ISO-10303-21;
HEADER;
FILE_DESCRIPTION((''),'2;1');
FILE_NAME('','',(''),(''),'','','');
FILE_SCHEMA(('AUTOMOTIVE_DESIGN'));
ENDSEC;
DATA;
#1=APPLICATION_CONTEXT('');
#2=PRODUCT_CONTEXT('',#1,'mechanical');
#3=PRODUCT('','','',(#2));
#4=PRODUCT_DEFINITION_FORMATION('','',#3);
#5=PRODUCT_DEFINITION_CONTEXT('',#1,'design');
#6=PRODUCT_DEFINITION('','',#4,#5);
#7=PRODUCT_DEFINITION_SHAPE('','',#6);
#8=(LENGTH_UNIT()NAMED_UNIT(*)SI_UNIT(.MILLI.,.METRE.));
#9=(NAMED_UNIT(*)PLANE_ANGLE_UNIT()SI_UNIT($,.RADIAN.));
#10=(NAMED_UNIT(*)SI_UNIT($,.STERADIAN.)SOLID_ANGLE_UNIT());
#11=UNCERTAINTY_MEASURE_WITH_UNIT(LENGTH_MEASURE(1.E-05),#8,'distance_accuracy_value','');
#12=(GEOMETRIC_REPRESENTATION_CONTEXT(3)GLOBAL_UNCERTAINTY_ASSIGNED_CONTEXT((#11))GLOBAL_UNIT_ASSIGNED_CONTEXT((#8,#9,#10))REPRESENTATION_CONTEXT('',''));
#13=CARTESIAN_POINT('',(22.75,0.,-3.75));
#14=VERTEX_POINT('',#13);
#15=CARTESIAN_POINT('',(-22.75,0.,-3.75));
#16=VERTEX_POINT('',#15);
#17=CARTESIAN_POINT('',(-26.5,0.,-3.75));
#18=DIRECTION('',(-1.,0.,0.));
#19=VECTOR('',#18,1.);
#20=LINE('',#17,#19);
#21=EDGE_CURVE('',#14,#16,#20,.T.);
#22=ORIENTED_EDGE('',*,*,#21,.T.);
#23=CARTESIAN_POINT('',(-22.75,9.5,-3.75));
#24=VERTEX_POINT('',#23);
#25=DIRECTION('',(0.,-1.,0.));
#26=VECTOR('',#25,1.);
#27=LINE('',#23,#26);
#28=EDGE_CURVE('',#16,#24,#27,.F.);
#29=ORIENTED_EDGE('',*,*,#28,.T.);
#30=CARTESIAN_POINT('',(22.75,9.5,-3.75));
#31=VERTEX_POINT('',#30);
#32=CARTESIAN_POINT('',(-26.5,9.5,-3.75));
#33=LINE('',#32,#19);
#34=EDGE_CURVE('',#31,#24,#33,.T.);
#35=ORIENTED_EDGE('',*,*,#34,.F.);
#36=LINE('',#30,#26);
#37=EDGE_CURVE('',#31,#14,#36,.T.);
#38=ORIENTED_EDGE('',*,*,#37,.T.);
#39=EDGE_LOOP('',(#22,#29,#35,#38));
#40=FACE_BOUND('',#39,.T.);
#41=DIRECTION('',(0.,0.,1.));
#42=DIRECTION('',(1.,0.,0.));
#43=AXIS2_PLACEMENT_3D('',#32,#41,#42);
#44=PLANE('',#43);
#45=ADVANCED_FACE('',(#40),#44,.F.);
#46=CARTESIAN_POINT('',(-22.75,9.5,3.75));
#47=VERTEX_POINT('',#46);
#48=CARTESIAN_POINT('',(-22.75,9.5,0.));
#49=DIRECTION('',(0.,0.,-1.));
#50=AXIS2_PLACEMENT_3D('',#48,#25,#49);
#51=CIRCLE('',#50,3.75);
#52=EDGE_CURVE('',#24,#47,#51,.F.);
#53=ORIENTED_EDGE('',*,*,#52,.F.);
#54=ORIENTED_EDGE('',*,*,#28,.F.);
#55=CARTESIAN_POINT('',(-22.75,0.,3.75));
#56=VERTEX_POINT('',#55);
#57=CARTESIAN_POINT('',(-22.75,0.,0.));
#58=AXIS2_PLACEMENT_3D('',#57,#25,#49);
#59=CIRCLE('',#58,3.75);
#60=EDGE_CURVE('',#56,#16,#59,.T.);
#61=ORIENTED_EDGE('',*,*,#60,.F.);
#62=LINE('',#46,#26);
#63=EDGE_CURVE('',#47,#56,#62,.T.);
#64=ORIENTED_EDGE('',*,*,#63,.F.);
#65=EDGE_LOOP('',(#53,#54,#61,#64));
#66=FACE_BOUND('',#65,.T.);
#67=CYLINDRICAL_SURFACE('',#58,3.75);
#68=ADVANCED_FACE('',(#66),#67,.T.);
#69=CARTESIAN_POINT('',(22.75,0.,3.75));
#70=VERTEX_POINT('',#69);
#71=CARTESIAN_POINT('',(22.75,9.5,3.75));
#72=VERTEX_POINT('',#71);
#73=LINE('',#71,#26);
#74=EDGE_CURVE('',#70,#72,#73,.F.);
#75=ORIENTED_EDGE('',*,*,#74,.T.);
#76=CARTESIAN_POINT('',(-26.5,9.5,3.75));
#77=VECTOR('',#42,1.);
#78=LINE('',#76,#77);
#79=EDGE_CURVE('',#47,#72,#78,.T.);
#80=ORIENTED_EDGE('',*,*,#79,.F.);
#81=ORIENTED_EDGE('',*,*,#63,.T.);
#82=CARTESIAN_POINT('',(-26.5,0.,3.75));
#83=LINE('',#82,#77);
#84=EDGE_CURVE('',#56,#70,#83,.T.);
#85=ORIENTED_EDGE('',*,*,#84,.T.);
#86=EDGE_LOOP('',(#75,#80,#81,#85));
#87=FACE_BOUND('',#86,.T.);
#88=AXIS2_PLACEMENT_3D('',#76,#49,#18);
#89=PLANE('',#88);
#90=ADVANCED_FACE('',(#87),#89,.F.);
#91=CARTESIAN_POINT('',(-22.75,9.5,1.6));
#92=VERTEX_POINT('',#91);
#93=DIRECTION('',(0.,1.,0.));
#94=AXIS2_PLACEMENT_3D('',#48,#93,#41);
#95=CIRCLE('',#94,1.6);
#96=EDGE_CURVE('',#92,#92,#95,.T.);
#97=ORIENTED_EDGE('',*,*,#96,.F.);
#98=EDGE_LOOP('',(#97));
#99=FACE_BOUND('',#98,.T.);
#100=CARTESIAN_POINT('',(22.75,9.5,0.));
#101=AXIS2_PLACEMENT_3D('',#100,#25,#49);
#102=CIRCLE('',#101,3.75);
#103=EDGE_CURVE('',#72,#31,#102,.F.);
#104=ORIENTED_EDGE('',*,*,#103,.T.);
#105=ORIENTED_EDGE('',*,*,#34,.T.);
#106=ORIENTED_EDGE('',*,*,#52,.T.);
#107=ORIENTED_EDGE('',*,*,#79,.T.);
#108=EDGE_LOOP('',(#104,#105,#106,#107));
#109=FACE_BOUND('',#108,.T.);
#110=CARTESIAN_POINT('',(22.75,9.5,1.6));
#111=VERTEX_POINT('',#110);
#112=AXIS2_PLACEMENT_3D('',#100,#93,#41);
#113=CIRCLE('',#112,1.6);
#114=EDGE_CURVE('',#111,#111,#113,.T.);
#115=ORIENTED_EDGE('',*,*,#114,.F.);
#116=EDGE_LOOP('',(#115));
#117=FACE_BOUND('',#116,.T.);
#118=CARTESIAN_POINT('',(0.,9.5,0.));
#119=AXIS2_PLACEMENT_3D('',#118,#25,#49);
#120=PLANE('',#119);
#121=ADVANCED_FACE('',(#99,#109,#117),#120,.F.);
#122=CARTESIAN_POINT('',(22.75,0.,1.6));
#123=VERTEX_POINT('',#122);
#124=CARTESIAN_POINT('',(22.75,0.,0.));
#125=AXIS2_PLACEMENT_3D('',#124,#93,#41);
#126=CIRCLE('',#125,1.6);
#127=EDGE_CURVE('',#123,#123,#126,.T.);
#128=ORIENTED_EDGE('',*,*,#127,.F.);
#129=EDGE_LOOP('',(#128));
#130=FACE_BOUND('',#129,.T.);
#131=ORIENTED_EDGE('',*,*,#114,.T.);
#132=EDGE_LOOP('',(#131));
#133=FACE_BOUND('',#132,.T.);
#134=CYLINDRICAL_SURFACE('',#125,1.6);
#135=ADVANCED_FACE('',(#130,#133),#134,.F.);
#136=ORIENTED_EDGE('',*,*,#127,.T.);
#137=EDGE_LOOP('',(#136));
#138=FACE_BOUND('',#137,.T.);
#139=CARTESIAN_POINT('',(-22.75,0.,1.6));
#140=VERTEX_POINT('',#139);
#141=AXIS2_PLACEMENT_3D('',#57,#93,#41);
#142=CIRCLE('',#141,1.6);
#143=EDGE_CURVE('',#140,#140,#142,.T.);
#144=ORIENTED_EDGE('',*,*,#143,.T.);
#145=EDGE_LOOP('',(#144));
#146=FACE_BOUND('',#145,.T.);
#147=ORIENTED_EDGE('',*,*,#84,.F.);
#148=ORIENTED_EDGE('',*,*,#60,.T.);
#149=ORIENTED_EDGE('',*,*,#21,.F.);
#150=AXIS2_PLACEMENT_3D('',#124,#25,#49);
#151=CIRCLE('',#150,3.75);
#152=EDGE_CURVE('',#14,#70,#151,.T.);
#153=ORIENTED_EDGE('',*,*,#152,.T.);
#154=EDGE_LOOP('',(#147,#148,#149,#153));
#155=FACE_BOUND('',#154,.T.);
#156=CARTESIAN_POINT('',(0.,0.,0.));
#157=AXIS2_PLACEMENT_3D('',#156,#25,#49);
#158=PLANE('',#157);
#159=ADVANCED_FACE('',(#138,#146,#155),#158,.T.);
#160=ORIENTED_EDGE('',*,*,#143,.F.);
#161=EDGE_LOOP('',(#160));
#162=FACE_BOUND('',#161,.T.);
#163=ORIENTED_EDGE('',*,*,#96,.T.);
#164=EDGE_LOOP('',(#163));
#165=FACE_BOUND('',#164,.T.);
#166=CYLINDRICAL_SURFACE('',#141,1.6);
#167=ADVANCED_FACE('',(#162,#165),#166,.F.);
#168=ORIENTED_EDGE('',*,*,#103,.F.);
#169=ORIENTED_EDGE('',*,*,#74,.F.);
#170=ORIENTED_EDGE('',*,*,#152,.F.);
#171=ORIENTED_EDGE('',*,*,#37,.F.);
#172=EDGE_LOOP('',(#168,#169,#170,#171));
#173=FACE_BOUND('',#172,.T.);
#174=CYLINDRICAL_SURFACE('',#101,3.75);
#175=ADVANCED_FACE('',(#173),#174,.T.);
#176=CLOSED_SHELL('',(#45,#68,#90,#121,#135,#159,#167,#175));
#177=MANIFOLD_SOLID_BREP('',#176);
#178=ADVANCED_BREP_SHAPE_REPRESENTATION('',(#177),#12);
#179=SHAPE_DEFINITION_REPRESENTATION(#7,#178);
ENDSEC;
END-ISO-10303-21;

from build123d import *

# Parameters (mm, degrees)
CROQUIS1_W              = 53
CROQUIS1_H              = 7.5
SALIENTE_EXTRUIR1_DEPTH = 9.5
REDONDEO1_RADIUS        = 3.75
REDONDEO1_LENGTH        = 9.5
REDONDEO3_RADIUS        = 3.75
REDONDEO3_LENGTH        = 9.5
CROQUIS2_R              = 1.6
CORTAR_EXTRUIR1_DEPTH   = 29.400044014


with BuildPart() as part:
    # Croquis1 → Saliente-Extruir1 (new body)
    with BuildSketch(Plane(origin=(0, 0, 0), x_dir=(1, 0, 0), z_dir=(0, 1, 0))):
        Rectangle(CROQUIS1_W, CROQUIS1_H)
    extrude(amount=SALIENTE_EXTRUIR1_DEPTH)

    # Redondeo1: full round fillet: the end face becomes a half cylinder, R = half its width
    redondeo1_face = Plane((26.5, 4.75, 0), x_dir=(0, -1, 0), z_dir=(1, 0, 0))  # on the end face: x along it, z out of the body
    redondeo1_slab = redondeo1_face.offset(-REDONDEO1_RADIUS / 2) * Box(REDONDEO1_LENGTH, 2 * REDONDEO1_RADIUS, REDONDEO1_RADIUS, mode=Mode.PRIVATE)  # the body's end, R deep
    redondeo1_round = Plane((22.75, 4.75, 0), x_dir=(1, 0, 0), z_dir=(0, -1, 0)) * Cylinder(REDONDEO1_RADIUS, REDONDEO1_LENGTH, mode=Mode.PRIVATE)  # its axis R under the face
    add(redondeo1_slab - redondeo1_round, mode=Mode.SUBTRACT)

    # Redondeo3: full round fillet: the end face becomes a half cylinder, R = half its width
    redondeo3_face = Plane((-26.5, 4.75, 0), x_dir=(0, 1, 0), z_dir=(-1, 0, 0))  # on the end face: x along it, z out of the body
    redondeo3_slab = redondeo3_face.offset(-REDONDEO3_RADIUS / 2) * Box(REDONDEO3_LENGTH, 2 * REDONDEO3_RADIUS, REDONDEO3_RADIUS, mode=Mode.PRIVATE)  # the body's end, R deep
    redondeo3_round = Plane((-22.75, 4.75, 0), x_dir=(-1, 0, 0), z_dir=(0, 1, 0)) * Cylinder(REDONDEO3_RADIUS, REDONDEO3_LENGTH, mode=Mode.PRIVATE)  # its axis R under the face
    add(redondeo3_slab - redondeo3_round, mode=Mode.SUBTRACT)

    # Croquis2 → Cortar-Extruir1 (cut, through all)
    with BuildSketch(Plane(origin=(0, 9.5, 0), x_dir=(1, 0, 0), z_dir=(0, 1, 0))):
        with Locations(Location((-22.75, 0, 0), (0, 0, 270))):
            Circle(CROQUIS2_R)
        with Locations(Location((22.75, 0, 0), (0, 0, 270))):
            Circle(CROQUIS2_R)
    extrude(amount=-CORTAR_EXTRUIR1_DEPTH, mode=Mode.SUBTRACT)


solid = part.part
